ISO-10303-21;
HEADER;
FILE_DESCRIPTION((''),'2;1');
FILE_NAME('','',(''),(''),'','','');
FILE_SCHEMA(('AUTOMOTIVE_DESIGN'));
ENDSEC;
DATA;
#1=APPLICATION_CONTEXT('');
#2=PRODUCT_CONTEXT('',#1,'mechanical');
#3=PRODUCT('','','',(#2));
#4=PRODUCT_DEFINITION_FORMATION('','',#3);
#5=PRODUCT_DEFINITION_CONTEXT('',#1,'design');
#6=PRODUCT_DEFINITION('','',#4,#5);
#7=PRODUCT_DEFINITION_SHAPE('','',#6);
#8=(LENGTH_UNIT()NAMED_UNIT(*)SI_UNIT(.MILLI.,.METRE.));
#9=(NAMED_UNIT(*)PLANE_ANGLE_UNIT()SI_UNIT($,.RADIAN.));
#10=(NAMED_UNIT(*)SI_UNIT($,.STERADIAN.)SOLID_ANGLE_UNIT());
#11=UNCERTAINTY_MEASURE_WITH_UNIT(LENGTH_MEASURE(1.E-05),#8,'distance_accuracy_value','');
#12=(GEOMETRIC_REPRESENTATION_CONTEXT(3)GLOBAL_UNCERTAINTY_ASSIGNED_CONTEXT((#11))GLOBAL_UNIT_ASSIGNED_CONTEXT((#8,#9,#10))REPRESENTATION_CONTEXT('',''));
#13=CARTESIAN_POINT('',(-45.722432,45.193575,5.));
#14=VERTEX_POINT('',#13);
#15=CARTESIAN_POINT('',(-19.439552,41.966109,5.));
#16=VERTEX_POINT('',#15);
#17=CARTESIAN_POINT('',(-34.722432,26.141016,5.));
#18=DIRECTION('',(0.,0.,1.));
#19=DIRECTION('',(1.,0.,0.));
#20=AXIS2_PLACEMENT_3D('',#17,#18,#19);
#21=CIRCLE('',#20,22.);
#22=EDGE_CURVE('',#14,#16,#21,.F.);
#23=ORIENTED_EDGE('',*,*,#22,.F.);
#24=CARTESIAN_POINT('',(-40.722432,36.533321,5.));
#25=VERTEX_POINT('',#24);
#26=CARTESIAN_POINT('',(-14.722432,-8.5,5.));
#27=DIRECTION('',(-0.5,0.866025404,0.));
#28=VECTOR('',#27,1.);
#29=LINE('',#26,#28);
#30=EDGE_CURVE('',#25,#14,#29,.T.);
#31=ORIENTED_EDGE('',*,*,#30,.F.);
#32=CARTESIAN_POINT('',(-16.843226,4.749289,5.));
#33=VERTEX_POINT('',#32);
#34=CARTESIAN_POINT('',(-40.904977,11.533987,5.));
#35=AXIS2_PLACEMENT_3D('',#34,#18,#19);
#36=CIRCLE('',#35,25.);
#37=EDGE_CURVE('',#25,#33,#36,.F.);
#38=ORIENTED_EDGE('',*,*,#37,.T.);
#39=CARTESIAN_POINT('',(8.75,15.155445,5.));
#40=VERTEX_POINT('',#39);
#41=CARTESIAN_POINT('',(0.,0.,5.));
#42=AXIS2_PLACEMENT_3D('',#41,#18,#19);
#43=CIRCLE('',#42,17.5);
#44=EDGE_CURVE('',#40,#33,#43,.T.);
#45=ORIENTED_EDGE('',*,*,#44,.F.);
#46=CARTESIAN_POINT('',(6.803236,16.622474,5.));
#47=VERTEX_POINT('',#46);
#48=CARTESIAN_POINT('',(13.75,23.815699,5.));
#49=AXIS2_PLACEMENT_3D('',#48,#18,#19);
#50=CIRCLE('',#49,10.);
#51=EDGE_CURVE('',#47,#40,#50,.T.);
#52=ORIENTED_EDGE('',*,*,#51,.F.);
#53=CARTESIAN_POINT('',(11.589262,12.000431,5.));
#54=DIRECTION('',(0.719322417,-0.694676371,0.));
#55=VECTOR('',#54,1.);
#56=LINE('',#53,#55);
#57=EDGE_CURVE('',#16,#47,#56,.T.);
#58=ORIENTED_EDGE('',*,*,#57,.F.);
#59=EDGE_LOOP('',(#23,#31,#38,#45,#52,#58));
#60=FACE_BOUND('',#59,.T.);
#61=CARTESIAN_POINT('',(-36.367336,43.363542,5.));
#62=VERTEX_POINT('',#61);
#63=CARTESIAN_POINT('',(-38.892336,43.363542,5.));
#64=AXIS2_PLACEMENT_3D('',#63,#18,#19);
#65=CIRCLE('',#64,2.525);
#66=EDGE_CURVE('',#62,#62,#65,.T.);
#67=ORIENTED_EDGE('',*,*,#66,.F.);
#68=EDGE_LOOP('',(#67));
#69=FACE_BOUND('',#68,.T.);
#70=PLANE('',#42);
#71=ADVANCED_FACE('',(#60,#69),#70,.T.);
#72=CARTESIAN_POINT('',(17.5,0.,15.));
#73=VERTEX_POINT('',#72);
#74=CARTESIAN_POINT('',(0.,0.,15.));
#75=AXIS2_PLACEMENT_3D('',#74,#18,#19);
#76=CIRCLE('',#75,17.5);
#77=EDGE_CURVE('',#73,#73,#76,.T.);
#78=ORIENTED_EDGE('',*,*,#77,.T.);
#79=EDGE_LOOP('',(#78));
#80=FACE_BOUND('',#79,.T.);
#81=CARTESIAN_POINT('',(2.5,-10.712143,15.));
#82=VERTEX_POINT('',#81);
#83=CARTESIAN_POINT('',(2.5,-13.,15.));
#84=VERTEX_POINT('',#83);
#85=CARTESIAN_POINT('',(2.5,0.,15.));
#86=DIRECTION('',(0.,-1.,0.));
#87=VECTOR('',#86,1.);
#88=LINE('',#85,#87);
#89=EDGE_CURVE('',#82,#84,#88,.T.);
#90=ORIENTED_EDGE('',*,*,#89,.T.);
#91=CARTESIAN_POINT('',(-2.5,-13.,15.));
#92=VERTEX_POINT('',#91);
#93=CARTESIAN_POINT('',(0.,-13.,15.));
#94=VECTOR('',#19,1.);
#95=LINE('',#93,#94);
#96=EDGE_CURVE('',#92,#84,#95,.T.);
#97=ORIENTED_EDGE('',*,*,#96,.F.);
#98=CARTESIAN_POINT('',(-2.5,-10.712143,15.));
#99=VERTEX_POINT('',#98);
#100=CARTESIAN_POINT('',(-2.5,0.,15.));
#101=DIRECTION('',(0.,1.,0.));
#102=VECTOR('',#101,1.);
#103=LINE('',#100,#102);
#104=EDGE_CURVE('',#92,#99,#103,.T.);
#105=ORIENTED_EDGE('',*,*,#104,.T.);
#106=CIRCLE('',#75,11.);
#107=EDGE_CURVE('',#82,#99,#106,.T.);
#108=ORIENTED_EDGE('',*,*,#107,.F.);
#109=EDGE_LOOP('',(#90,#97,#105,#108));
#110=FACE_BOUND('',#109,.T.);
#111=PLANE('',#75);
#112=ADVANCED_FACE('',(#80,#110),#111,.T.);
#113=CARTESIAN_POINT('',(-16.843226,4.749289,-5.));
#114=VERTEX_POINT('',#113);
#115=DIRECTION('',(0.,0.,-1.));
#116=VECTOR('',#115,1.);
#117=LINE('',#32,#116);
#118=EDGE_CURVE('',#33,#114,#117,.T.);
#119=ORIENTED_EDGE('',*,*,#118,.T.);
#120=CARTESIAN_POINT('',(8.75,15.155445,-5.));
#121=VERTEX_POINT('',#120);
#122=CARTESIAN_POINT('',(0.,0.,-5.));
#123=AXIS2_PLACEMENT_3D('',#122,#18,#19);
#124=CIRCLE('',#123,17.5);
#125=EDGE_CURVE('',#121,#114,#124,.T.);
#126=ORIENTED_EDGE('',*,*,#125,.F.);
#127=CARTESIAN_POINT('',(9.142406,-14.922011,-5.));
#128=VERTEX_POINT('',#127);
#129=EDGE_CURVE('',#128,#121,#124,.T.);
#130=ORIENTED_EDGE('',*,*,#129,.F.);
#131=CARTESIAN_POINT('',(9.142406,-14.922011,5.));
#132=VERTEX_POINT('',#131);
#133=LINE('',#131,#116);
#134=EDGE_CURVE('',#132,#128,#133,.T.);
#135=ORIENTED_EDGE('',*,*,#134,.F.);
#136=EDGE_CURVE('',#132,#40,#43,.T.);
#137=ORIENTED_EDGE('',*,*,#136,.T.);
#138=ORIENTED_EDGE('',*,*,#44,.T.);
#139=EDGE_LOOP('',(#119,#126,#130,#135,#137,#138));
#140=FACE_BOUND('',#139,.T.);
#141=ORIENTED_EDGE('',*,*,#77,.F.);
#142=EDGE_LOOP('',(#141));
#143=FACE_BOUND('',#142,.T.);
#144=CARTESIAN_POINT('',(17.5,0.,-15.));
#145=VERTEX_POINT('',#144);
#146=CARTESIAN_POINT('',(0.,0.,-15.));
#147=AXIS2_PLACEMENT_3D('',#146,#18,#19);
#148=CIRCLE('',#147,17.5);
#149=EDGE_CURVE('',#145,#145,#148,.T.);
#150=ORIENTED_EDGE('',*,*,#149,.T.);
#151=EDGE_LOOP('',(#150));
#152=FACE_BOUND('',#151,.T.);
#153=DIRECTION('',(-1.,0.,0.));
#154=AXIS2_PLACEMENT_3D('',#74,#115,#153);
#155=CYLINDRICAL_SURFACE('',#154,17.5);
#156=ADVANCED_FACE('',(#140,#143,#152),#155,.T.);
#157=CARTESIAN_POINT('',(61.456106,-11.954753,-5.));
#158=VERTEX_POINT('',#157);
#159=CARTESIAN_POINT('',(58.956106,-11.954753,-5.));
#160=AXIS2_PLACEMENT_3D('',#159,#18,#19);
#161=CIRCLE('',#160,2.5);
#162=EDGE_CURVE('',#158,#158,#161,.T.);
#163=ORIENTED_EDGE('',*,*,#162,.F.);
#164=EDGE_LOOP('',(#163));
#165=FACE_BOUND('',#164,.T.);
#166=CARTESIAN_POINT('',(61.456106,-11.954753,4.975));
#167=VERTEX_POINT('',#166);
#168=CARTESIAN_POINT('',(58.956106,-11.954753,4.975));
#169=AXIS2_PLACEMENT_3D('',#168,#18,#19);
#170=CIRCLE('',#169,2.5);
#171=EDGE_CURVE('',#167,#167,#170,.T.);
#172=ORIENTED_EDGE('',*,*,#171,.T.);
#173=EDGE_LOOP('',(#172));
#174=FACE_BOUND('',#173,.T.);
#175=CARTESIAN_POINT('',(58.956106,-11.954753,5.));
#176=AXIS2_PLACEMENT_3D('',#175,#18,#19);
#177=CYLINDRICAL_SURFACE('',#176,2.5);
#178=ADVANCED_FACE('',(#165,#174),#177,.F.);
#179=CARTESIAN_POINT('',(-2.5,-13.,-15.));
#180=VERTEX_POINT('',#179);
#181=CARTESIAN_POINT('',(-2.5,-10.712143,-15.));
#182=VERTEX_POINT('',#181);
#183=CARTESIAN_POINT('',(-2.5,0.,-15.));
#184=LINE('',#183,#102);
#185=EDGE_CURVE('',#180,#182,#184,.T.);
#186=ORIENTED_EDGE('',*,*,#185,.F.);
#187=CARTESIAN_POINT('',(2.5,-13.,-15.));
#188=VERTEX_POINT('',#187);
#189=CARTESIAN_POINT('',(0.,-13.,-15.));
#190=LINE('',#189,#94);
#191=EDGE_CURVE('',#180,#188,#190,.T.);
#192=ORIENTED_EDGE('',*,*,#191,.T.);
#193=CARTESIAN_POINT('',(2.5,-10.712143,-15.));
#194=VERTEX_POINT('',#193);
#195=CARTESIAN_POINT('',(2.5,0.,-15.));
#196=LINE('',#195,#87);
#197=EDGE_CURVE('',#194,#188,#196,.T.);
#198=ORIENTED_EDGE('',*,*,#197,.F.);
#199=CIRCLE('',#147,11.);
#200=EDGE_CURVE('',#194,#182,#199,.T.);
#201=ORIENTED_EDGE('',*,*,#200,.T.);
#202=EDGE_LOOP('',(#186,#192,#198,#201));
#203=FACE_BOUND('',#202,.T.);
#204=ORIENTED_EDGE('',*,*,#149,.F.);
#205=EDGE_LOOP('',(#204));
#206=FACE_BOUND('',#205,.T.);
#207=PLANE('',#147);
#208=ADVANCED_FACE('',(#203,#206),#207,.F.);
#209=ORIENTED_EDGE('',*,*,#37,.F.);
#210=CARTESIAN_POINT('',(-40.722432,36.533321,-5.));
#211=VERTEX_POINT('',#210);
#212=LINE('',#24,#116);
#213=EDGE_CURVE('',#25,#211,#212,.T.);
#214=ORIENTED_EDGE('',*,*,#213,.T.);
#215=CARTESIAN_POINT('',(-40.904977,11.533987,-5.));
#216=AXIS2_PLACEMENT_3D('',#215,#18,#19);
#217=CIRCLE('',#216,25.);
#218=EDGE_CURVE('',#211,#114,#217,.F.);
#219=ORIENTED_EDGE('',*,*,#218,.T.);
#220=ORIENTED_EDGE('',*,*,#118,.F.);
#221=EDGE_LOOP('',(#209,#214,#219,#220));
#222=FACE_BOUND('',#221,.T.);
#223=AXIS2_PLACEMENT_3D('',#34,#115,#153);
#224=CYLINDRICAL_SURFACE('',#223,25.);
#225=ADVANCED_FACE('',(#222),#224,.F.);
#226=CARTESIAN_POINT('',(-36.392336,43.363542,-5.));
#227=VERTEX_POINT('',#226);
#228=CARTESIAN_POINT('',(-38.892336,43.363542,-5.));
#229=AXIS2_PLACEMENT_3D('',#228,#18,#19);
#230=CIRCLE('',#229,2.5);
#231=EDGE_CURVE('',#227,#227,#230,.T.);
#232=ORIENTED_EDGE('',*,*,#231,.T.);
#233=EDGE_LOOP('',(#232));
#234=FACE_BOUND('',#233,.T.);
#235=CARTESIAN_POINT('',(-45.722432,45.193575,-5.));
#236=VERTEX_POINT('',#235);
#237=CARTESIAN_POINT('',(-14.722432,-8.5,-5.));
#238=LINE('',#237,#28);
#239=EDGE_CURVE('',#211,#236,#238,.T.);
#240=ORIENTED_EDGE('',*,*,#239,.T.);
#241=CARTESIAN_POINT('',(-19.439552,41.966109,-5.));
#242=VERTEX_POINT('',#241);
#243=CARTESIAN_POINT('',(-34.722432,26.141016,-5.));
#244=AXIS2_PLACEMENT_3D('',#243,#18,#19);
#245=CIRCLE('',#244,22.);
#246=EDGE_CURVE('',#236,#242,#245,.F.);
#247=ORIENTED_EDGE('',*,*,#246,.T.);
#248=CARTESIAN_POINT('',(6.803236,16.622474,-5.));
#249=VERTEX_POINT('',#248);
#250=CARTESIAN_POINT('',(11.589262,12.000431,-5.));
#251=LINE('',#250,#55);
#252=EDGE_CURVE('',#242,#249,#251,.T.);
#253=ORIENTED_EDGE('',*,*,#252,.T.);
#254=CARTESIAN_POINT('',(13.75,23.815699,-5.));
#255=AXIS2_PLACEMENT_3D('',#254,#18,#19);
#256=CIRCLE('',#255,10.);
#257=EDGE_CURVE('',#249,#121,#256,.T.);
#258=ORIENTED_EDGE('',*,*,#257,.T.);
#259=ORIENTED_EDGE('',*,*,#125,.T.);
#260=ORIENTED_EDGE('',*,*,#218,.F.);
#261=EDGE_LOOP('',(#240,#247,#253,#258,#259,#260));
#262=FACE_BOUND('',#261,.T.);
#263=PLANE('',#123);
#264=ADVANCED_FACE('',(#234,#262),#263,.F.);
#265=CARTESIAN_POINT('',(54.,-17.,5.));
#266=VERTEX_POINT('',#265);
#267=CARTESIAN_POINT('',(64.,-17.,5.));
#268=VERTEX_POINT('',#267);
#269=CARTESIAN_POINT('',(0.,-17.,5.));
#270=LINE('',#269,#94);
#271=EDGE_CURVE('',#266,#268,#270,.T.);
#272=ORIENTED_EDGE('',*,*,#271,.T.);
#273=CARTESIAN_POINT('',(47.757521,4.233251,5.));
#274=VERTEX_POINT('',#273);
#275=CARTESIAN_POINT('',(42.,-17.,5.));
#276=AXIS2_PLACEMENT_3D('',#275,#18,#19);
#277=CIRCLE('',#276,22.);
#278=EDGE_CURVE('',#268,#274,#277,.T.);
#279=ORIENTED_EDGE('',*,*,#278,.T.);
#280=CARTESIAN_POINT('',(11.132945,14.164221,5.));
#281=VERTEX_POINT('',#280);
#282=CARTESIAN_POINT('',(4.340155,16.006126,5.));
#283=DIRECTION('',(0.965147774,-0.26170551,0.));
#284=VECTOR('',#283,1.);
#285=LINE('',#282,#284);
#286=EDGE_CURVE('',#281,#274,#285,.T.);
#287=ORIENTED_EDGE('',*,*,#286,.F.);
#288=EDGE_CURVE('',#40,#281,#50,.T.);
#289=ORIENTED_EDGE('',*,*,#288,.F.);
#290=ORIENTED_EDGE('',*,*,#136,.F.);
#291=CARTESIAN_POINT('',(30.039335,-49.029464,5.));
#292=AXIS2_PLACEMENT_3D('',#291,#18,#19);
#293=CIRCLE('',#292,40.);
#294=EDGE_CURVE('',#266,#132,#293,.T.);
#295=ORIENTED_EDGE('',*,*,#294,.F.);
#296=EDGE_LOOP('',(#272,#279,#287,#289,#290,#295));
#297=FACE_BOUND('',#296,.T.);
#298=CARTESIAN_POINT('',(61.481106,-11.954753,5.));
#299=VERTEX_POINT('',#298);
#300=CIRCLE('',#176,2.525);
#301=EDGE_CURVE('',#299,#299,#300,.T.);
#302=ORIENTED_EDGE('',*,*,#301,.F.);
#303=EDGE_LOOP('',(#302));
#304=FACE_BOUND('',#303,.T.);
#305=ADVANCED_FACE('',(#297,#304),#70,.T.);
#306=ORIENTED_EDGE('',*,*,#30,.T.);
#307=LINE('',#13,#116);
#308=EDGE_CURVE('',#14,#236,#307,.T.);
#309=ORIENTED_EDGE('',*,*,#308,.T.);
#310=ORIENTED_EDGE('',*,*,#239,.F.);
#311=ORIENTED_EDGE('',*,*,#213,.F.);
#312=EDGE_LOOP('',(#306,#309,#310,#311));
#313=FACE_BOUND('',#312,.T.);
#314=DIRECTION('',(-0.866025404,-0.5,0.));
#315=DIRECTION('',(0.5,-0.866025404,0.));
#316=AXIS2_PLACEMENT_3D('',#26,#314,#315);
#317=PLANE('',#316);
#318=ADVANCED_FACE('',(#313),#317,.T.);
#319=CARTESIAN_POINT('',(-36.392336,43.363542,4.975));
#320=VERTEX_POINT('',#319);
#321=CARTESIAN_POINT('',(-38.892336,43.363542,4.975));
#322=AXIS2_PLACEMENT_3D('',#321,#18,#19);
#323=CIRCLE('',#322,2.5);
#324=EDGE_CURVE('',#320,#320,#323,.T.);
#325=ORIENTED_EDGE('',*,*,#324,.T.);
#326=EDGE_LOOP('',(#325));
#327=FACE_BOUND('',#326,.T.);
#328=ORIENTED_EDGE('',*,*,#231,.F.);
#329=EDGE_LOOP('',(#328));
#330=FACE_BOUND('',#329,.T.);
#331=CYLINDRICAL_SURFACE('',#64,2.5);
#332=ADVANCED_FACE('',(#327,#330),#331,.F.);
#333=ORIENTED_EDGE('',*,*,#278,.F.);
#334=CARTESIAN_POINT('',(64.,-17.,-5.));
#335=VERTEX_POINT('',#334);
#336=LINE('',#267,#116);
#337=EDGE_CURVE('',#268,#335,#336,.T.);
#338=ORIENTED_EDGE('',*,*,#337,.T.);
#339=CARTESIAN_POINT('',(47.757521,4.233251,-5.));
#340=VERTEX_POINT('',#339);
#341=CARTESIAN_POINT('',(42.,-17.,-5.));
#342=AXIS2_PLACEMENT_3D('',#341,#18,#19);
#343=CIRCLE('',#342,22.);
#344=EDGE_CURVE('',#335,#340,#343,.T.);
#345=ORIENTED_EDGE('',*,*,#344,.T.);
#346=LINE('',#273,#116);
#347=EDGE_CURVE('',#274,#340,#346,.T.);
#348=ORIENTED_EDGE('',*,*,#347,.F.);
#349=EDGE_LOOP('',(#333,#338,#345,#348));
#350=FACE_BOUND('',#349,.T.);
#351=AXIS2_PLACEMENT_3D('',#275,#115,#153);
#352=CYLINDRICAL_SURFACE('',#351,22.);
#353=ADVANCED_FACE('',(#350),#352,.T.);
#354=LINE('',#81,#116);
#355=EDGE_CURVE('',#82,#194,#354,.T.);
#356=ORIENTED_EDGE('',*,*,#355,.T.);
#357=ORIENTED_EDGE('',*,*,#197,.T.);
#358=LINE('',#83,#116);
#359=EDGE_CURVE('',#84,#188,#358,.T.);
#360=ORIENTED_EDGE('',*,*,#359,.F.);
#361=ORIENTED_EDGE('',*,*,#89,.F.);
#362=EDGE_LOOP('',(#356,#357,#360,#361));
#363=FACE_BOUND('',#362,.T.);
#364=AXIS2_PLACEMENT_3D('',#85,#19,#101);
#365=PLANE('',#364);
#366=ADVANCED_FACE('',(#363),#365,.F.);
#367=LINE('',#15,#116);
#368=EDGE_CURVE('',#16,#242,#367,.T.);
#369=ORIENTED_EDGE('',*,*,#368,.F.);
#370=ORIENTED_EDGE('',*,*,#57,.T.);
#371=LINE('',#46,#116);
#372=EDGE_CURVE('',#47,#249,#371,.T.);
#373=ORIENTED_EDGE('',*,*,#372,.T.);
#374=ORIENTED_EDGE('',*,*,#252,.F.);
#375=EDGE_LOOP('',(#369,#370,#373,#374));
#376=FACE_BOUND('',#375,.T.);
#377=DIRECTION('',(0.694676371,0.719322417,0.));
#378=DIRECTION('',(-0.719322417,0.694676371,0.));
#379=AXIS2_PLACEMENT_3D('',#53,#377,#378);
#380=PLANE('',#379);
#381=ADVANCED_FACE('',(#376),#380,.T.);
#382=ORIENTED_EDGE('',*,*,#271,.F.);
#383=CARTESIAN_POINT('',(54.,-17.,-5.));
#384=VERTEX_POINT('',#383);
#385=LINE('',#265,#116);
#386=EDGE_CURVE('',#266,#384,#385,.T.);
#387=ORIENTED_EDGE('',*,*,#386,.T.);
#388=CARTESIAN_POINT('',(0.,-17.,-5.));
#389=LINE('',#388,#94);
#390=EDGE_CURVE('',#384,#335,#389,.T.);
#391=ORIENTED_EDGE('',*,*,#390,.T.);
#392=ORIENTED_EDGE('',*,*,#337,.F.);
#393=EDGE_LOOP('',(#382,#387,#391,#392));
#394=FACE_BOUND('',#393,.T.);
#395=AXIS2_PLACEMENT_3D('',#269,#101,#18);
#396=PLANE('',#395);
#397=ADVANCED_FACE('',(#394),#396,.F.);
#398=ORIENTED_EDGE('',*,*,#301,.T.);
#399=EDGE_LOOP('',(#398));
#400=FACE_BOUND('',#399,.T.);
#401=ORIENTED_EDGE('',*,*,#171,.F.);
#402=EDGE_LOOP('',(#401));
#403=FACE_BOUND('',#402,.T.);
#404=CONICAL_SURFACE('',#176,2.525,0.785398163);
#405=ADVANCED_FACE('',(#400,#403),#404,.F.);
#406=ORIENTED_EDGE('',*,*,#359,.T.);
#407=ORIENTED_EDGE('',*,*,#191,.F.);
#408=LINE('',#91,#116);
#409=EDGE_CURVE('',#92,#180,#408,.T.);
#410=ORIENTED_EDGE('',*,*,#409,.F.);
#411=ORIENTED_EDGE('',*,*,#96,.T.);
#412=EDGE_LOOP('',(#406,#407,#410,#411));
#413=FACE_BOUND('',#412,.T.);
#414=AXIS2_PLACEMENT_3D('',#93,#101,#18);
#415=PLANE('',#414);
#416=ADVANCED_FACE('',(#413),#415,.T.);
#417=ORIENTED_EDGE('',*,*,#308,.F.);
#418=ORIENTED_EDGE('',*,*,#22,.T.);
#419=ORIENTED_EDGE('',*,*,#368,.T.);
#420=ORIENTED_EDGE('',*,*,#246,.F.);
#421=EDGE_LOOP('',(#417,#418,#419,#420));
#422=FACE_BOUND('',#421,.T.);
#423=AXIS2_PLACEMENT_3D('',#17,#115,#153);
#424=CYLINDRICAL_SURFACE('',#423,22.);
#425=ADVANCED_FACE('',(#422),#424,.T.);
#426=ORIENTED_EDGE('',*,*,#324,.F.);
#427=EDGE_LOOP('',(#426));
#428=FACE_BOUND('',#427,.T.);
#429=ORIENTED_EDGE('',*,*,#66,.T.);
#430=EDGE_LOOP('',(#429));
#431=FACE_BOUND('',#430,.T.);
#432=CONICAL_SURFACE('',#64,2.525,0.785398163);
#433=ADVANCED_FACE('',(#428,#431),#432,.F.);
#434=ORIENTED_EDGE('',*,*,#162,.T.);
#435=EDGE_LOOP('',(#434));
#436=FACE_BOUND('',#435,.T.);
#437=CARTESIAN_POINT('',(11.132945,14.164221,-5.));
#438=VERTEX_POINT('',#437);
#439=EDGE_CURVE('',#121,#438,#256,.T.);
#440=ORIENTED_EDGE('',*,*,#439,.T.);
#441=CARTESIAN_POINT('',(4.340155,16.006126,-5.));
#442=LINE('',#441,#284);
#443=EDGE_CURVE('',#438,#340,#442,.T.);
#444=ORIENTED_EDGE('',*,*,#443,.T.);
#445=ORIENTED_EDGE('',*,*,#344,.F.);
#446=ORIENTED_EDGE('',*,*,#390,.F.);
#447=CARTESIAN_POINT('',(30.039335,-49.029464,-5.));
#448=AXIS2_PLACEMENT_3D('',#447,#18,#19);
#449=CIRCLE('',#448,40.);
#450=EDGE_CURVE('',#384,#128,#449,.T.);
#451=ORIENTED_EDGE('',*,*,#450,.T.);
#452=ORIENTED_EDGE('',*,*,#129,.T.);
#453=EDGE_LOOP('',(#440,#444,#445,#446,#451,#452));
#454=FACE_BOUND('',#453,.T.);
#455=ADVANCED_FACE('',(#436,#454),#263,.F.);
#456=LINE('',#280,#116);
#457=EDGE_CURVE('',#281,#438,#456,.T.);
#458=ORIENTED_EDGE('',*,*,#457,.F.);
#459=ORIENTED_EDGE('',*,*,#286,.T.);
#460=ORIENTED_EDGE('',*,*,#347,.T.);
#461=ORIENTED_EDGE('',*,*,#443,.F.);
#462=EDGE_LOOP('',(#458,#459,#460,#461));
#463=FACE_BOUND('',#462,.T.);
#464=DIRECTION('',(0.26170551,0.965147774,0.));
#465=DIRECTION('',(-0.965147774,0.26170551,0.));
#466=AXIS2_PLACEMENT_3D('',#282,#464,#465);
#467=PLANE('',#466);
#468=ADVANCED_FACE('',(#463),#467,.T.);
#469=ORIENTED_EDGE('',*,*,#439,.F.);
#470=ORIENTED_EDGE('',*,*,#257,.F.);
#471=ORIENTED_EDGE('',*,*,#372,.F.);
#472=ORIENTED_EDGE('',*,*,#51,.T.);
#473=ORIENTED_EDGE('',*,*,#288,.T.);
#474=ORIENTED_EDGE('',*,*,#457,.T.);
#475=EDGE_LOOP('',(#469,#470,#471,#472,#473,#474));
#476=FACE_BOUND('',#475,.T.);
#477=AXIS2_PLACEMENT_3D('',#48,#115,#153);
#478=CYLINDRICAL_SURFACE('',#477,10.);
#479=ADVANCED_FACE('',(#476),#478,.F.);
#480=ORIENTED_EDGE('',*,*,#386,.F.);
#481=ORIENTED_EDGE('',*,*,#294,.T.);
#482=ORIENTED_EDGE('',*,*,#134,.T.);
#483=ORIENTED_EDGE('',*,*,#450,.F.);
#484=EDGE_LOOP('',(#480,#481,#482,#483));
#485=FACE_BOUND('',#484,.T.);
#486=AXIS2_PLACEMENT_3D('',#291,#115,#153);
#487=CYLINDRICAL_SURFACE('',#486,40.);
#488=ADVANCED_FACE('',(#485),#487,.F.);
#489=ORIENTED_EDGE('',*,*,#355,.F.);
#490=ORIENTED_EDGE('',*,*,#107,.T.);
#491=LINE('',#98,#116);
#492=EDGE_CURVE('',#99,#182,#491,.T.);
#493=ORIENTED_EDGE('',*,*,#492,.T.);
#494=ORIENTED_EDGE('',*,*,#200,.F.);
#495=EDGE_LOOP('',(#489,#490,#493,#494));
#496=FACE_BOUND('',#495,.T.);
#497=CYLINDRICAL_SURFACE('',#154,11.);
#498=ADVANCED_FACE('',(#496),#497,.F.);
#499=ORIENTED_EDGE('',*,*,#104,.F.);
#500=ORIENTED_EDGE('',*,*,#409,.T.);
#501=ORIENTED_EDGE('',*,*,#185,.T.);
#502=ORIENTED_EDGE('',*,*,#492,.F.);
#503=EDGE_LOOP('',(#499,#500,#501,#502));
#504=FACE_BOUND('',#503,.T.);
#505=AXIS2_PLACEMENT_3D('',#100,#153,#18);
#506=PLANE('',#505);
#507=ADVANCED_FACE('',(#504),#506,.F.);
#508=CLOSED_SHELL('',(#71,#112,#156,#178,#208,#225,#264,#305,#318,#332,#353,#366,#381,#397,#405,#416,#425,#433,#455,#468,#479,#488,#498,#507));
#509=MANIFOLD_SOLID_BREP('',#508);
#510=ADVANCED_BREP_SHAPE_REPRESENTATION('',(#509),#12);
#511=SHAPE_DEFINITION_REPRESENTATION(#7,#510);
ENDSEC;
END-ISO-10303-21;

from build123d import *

# Parameters (mm, degrees)
SCHIZZO2_R                   = 17.5
ESTRUSIONE_ESTRUSIONE2_DEPTH = 15
ESTRUSIONE_ESTRUSIONE3_DEPTH = 5
FORO_5_0_5_1_D               = 5
FORO_5_0_5_1_CSINK_D         = 5.05
FORO_5_0_5_1_CSINK_ANGLE     = 90


with BuildPart() as part:
    # Schizzo2 → Estrusione-Estrusione2 (new, symmetric)
    with BuildSketch(Plane.XY):
        Circle(SCHIZZO2_R)
        with BuildLine():
            ThreePointArc((2.5, -10.712142643), (0, 11), (-2.5, -10.712142643))
            Line((-2.5, -10.712142643), (-2.5, -13))
            Line((-2.5, -13), (2.5, -13))
            Line((2.5, -13), (2.5, -10.712142643))
        make_face(mode=Mode.SUBTRACT)
    extrude(amount=ESTRUSIONE_ESTRUSIONE2_DEPTH, both=True)

    # Schizzo2<8> → Estrusione-Estrusione3 (add, symmetric)
    with BuildSketch(Plane.XY):
        with BuildLine():
            Line((-45.722431864, 45.193575035), (-40.722431864, 36.533320997))
            ThreePointArc((-40.722431864, 36.533320997), (-20.917414575, 26.550556749), (-16.843225773, 4.749288954))
            ThreePointArc((-16.843225773, 4.749288954), (-6.591440531, 16.211197109), (8.750000884, 15.155444056))
            ThreePointArc((8.750000884, 15.155444056), (7.731750254, 15.829418494), (6.803236294, 16.62247443))
            Line((6.803236294, 16.62247443), (-19.439551712, 41.966109335))
            ThreePointArc((-19.439551712, 41.966109335), (-32.041033104, 47.97699794), (-45.722431864, 45.193575035))
        make_face()
        with BuildLine():
            ThreePointArc((17.5, 0), (15.268302341, -8.551546271), (9.142406443, -14.922010737))
            ThreePointArc((9.142406443, -14.922010737), (31.890315924, -9.07231341), (54, -17))
            Line((54, -17), (64, -17))
            ThreePointArc((64, -17), (59.47377273, -3.633352456), (47.757521221, 4.233251032))
            Line((47.757521221, 4.233251032), (11.132944899, 14.164220862))
            ThreePointArc((11.132944899, 14.164220862), (9.909360784, 14.582633544), (8.750000884, 15.155444056))
            ThreePointArc((8.750000884, 15.155444056), (15.155444821, 8.749999558), (17.5, 0))
        make_face()
    extrude(amount=ESTRUSIONE_ESTRUSIONE3_DEPTH, both=True)

    # Foro Ø5.0 (5)-1 (through all)
    with Locations(Plane(origin=(-38.892335599, 43.363541782, 5), x_dir=(1, 0, 0), z_dir=(0, 0, 1))):
        with Locations((0, 0), (97.848441208, -55.318294404)):
            CounterSinkHole(FORO_5_0_5_1_D / 2, FORO_5_0_5_1_CSINK_D / 2, counter_sink_angle=FORO_5_0_5_1_CSINK_ANGLE)


solid = part.part
